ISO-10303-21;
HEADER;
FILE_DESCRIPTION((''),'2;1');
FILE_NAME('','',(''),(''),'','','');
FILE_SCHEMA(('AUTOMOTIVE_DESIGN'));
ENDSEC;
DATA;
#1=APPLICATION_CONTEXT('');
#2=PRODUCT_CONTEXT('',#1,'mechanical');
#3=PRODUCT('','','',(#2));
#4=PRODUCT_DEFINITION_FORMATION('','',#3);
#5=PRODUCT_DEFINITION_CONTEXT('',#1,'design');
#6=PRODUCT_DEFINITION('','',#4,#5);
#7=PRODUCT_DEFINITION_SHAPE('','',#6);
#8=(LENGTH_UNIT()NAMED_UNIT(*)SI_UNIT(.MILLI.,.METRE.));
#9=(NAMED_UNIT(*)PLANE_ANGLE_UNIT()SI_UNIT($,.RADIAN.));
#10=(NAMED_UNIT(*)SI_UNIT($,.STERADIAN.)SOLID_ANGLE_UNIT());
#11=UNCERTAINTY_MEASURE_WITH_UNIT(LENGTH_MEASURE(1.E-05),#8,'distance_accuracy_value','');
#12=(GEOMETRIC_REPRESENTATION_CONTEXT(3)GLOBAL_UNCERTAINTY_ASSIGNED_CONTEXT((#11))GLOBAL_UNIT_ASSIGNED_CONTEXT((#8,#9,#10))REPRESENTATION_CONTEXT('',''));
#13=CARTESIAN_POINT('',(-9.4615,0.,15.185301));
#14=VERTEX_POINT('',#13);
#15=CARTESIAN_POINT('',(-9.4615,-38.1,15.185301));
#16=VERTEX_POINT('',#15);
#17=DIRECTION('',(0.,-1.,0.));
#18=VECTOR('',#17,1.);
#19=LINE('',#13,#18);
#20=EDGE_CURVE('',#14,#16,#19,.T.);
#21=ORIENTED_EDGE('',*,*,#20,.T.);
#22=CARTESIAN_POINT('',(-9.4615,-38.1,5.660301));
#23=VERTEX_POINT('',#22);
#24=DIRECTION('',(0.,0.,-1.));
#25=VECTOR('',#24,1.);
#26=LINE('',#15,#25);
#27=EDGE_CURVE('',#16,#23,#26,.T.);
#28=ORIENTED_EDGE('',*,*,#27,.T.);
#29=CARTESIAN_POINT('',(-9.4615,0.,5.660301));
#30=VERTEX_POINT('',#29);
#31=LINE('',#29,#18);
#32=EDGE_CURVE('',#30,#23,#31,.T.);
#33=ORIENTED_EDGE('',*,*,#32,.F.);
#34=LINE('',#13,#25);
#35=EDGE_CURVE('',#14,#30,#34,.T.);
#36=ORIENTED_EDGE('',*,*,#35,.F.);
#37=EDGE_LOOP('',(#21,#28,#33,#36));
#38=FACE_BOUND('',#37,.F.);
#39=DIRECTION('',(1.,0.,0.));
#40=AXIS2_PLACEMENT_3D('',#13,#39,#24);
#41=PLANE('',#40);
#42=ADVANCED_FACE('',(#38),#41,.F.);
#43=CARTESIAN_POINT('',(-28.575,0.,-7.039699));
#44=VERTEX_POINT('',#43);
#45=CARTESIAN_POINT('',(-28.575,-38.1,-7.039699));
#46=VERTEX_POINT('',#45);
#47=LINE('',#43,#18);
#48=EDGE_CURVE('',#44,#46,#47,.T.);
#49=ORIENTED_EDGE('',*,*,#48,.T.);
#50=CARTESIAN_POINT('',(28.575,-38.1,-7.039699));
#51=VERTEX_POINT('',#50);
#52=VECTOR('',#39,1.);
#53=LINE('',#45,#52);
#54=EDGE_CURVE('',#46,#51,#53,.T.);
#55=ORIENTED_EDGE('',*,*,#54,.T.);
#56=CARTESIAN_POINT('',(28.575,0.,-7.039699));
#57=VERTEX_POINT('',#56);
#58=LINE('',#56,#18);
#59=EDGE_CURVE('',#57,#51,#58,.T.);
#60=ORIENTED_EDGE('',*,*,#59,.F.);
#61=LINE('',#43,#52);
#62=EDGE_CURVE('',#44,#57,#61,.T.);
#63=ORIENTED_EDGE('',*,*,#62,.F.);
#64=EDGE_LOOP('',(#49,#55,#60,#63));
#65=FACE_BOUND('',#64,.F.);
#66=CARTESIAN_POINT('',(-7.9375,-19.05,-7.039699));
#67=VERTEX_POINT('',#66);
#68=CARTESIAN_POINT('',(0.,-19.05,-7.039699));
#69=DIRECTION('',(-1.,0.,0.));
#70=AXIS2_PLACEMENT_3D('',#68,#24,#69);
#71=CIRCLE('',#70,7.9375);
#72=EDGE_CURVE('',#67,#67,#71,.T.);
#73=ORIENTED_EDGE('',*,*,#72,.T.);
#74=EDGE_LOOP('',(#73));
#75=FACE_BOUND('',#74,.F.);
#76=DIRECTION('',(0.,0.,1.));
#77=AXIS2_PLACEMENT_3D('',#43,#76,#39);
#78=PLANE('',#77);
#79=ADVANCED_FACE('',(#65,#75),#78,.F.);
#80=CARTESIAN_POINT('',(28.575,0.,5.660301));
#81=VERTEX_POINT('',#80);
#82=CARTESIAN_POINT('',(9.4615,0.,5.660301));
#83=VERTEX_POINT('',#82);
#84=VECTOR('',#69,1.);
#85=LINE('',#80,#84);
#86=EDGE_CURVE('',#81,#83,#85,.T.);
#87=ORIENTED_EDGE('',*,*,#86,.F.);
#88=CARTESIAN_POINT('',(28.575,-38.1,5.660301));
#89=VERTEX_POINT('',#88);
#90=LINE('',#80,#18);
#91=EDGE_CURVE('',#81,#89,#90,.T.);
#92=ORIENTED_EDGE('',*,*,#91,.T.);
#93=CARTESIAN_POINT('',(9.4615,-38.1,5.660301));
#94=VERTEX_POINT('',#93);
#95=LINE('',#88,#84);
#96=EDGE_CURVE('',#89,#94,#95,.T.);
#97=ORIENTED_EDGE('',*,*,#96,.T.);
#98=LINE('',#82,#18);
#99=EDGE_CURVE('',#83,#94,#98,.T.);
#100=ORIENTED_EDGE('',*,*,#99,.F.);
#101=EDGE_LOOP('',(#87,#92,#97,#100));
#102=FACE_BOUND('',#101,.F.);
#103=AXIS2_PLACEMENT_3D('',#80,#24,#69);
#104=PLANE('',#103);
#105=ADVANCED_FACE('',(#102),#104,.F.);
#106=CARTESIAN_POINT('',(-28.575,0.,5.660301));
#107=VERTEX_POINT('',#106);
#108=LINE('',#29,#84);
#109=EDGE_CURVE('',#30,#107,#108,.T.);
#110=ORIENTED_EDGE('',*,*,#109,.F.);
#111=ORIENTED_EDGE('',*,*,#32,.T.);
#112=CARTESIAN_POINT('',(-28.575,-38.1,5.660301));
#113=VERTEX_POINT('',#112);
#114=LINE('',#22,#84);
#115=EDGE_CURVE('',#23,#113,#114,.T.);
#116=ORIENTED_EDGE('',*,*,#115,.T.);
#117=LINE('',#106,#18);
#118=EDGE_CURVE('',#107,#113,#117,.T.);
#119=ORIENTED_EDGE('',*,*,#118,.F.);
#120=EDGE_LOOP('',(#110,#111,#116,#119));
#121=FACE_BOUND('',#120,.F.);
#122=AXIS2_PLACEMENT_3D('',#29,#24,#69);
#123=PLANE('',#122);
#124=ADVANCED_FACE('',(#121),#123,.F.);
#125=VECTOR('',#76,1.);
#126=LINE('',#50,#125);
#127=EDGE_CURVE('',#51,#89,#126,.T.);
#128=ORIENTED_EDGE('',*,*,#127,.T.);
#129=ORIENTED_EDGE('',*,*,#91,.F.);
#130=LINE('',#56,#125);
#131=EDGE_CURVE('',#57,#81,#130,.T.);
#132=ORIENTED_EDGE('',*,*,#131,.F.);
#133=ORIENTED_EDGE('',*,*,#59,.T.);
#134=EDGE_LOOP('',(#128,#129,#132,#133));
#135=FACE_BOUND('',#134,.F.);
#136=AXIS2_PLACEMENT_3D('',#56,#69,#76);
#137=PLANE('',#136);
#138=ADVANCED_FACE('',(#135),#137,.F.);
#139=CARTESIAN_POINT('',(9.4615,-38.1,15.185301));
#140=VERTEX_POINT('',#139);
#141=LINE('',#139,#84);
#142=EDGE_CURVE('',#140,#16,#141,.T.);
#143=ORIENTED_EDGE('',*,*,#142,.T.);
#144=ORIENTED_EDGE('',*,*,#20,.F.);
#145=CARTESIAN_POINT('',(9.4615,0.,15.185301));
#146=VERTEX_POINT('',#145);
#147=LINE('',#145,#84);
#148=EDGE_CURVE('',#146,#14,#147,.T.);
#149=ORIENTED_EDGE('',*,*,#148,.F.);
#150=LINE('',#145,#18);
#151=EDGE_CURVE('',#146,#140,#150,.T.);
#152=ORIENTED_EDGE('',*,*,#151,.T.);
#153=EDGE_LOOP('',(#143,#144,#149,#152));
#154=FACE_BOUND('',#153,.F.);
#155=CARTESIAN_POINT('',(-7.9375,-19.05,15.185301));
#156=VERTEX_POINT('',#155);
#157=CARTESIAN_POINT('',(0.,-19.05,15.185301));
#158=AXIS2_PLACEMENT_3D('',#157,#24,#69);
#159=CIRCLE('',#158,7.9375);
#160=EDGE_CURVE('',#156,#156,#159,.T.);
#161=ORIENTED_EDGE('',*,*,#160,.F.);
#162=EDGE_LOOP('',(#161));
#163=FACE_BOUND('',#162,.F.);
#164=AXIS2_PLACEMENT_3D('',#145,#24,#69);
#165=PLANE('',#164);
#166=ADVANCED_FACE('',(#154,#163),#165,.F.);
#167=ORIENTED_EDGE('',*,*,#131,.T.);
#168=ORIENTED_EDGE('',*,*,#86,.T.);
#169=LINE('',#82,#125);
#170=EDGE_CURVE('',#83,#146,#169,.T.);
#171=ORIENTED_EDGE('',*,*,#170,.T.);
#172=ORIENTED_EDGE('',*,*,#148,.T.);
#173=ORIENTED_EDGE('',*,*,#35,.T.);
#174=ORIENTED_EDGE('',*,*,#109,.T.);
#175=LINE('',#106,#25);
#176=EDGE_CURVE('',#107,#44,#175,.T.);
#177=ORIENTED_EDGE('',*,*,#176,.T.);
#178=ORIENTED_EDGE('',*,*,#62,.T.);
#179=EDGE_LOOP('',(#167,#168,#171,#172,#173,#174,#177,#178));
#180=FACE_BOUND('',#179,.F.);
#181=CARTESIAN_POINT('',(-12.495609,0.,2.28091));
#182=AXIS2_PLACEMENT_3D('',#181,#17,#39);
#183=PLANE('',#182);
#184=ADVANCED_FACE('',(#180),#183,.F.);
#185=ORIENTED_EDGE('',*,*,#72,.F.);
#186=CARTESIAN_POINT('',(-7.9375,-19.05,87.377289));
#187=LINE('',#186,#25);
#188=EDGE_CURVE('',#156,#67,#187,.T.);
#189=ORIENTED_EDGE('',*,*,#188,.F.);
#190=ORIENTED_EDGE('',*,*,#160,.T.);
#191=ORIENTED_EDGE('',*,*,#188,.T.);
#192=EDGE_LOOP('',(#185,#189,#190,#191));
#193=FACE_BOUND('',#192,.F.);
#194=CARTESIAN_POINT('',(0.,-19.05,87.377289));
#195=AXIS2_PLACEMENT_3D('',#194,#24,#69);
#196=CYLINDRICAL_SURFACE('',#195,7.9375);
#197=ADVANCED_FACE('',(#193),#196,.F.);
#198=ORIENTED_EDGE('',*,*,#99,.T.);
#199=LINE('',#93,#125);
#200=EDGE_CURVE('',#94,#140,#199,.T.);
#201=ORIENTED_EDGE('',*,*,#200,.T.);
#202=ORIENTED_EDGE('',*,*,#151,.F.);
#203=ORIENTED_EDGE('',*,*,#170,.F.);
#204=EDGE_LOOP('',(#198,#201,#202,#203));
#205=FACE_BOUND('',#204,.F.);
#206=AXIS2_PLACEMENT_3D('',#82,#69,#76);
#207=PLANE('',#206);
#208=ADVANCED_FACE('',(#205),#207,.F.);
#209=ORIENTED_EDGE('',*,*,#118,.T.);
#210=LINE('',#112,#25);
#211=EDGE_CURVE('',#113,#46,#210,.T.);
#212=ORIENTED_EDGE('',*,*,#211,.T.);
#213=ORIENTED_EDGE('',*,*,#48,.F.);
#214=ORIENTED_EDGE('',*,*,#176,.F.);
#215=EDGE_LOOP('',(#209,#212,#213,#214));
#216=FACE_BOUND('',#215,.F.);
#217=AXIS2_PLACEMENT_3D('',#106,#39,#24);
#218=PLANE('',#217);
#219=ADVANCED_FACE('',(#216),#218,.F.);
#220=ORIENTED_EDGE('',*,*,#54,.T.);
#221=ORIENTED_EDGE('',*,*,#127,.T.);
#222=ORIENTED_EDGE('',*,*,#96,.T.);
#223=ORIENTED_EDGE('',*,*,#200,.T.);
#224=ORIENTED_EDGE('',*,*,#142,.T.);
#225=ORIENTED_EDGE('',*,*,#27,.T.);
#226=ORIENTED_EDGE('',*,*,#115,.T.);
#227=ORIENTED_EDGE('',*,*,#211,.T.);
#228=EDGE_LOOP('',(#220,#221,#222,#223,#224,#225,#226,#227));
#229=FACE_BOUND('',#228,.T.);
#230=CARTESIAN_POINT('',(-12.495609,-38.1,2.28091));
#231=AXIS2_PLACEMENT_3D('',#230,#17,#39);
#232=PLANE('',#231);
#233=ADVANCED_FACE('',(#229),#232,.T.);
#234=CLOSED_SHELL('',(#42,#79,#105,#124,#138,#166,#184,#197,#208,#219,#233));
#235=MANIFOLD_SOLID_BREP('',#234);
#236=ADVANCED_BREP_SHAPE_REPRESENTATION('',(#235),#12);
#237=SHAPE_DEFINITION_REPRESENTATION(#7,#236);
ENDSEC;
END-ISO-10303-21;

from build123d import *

# Parameters (mm, degrees)
F1_DEPTH = 38.1
F3_D     = 15.875


with BuildPart() as f1:
    # F0 (on Front) → F1 (new body)
    with BuildSketch(Plane.XZ):
        Polygon((0, -7.039699), (0, 0), (0, 15.185301), (-9.4615, 15.185301), (-9.4615, 5.660301), (-28.575, 5.660301), (-28.575, -7.039699), align=None)
        Polygon((0, 15.185301), (0, 0), (0, -7.039699), (28.575, -7.039699), (28.575, 5.660301), (9.4615, 5.660301), (9.4615, 15.185301), align=None)
    extrude(amount=F1_DEPTH)

    # F3 (through all)
    with Locations(Plane.XY.offset(15.185301)):
        with Locations((0, -19.05)):
            Hole(F3_D / 2)


solid = f1.part
